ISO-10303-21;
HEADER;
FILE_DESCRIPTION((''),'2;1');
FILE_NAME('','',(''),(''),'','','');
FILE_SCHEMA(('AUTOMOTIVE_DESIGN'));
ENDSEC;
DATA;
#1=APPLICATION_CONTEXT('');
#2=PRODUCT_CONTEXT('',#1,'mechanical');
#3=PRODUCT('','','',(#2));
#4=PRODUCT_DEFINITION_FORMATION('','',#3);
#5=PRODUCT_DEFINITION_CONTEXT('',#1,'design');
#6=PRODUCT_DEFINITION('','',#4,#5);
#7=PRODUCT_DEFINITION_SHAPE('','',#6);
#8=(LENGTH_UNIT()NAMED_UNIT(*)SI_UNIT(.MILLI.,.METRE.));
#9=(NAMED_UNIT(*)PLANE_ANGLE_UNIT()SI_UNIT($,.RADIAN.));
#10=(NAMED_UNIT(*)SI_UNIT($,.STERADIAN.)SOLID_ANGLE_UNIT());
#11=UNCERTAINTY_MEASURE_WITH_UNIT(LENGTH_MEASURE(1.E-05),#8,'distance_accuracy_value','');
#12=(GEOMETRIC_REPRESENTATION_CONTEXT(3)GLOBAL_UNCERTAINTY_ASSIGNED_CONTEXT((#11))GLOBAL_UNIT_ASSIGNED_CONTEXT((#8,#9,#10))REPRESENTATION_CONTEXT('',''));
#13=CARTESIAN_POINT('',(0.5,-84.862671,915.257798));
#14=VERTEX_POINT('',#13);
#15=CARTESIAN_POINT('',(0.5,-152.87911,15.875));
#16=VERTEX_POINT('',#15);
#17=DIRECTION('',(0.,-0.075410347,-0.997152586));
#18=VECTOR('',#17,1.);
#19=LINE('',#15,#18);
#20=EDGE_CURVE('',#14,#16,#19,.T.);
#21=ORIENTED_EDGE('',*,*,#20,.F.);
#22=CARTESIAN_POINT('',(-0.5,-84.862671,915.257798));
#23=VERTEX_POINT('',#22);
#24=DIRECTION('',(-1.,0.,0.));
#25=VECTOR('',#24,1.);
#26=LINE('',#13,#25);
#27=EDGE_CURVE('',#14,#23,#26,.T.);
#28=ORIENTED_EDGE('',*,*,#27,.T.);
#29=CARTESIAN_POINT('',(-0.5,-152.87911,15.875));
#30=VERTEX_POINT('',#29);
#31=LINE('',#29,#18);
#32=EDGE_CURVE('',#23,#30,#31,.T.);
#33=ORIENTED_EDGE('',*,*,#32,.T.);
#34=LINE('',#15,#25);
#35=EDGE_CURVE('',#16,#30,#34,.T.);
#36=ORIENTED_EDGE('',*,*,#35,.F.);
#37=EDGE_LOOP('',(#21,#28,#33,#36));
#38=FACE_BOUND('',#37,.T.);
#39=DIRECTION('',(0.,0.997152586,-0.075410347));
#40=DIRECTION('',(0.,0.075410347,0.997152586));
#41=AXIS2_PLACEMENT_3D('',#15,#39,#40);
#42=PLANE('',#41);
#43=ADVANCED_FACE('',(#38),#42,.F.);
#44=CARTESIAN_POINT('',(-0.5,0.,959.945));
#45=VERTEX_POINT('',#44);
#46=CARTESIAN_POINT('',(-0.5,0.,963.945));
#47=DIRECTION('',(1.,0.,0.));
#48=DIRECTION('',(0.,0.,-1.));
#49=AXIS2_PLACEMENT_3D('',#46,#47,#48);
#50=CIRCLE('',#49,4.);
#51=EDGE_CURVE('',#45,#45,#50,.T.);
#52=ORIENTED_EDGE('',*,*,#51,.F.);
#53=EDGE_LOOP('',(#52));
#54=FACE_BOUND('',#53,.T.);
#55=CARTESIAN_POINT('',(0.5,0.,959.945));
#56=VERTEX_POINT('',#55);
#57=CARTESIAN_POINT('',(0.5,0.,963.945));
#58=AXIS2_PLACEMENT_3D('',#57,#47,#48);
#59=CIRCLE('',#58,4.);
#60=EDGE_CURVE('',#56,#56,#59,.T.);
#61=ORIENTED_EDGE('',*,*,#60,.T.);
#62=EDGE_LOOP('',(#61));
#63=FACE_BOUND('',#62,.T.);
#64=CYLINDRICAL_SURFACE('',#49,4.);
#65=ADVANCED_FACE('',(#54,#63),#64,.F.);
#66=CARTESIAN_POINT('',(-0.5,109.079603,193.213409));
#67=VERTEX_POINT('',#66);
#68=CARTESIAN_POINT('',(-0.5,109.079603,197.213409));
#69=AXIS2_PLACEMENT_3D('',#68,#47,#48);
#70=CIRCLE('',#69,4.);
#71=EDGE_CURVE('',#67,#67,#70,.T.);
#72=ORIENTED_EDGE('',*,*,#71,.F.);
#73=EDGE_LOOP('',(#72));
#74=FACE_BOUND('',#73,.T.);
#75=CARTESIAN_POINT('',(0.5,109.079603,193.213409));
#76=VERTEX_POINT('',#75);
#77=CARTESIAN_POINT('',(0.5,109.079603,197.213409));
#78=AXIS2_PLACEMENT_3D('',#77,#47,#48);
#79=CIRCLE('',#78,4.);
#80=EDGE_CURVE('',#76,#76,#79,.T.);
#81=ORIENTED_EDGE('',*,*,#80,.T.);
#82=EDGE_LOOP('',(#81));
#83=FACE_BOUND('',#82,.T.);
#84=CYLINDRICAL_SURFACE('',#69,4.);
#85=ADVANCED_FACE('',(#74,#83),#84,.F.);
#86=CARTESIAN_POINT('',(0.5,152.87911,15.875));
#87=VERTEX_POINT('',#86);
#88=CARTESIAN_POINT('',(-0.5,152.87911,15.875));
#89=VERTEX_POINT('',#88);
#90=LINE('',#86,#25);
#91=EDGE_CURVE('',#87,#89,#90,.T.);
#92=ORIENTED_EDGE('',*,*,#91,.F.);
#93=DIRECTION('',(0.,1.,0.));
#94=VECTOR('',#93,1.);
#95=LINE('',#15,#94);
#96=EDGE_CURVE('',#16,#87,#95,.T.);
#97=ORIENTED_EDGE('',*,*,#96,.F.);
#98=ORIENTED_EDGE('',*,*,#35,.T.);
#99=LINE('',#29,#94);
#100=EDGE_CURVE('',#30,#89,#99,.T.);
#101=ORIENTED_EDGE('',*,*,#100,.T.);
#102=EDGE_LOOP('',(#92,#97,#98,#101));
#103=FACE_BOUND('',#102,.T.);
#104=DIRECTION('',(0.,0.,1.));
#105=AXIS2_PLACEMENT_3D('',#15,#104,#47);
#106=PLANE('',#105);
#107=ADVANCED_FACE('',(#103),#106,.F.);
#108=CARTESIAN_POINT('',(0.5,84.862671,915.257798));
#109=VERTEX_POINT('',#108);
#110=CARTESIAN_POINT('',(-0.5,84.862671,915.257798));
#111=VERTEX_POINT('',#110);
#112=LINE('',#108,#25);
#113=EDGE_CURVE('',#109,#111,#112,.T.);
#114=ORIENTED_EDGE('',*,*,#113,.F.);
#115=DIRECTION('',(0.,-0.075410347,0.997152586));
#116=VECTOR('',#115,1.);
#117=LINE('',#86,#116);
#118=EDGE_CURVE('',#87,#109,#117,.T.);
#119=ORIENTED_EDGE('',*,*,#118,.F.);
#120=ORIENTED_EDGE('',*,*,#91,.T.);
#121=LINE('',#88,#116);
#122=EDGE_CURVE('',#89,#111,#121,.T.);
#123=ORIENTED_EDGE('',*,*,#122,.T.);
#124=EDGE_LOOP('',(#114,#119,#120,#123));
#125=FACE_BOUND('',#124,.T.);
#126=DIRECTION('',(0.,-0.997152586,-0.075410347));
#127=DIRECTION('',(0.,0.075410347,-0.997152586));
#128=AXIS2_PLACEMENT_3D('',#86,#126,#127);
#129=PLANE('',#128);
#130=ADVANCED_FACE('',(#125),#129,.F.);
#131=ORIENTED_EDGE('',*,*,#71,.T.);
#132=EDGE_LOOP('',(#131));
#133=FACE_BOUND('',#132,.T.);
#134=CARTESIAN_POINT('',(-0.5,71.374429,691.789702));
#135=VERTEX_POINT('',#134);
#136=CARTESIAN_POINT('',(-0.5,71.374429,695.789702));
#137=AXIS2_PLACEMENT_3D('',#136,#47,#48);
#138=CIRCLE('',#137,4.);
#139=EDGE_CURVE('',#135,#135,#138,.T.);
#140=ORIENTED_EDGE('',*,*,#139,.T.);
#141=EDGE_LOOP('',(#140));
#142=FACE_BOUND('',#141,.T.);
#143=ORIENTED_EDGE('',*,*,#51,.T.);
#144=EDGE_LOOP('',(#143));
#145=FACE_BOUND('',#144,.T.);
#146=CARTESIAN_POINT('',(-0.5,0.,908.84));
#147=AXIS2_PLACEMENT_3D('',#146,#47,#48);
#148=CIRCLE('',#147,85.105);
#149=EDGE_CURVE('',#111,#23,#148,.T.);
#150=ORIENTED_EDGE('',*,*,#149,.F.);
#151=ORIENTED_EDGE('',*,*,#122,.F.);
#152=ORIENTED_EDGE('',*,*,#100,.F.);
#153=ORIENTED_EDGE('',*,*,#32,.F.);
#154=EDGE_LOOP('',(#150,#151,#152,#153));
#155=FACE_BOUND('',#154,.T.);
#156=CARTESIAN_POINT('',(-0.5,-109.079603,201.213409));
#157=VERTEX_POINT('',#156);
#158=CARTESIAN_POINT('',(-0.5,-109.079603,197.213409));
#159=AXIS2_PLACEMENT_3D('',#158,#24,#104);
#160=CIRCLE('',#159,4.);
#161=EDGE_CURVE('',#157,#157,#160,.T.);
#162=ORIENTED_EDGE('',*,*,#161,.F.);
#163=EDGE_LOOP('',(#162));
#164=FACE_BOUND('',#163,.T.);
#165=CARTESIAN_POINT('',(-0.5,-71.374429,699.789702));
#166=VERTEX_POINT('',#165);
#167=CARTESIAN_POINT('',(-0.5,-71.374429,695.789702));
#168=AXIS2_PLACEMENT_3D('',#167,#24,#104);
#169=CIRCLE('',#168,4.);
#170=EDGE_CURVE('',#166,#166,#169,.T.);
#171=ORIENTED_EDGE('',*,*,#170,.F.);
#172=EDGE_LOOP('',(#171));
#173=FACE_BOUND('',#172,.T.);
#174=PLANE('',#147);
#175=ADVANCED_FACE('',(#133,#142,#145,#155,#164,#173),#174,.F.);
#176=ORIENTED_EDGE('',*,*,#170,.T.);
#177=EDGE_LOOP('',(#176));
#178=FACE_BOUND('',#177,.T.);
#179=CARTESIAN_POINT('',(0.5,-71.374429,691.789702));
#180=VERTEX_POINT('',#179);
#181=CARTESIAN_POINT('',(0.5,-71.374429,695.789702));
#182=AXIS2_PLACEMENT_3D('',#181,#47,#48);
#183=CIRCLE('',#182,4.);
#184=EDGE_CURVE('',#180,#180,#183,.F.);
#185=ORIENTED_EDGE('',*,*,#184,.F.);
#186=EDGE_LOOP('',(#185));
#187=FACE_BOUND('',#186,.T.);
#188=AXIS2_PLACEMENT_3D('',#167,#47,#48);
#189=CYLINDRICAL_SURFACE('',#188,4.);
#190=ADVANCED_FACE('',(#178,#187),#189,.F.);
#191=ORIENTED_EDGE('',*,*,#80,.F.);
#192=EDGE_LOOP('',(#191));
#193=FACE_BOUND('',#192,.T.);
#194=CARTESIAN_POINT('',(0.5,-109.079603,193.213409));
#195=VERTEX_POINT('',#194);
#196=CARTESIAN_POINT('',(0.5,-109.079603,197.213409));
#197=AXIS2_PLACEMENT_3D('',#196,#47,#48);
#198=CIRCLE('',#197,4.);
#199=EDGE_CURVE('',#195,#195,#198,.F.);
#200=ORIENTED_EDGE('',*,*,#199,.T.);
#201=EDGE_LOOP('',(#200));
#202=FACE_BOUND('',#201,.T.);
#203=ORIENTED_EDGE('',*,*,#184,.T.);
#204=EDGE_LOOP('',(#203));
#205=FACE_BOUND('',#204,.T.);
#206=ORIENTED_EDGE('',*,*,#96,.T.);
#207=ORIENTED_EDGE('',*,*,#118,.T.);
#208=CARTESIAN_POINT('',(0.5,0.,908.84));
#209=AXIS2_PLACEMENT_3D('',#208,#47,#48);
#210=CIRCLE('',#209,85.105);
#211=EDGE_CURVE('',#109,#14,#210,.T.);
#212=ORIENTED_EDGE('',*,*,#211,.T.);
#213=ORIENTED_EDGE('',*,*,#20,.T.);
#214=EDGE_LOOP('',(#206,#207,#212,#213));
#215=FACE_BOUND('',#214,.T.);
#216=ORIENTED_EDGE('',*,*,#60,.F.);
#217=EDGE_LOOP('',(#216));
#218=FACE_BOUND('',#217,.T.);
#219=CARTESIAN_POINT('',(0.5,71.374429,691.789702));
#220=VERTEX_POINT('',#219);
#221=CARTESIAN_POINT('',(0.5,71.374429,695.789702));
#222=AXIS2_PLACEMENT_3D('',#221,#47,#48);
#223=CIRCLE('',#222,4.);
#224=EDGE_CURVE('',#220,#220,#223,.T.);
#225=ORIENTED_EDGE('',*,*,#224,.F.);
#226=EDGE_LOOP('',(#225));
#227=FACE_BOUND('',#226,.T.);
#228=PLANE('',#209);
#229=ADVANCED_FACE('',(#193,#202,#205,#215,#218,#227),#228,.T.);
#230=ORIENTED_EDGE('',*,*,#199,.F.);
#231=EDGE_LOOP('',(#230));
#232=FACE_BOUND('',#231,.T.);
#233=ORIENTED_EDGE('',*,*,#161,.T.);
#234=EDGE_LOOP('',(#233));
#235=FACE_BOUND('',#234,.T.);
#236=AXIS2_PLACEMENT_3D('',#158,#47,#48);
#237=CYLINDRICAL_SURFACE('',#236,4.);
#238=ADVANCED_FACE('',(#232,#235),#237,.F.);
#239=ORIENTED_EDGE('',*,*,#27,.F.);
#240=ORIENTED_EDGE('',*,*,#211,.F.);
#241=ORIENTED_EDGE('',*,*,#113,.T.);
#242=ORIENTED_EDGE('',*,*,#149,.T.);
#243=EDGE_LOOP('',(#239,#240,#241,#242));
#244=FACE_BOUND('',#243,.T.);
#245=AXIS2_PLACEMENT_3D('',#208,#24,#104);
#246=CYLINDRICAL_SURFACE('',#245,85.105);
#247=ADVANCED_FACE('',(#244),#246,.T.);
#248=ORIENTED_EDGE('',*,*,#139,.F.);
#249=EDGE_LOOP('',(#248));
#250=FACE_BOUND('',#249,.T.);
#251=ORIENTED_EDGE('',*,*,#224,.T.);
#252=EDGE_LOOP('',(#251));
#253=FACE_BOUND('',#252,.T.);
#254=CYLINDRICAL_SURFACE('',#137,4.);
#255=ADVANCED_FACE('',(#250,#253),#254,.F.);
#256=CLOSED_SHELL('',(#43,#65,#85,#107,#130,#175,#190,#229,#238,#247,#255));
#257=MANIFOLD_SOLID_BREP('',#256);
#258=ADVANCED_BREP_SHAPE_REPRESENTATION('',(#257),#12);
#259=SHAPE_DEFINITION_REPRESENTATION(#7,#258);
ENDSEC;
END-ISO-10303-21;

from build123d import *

# Parameters (mm, degrees)
BOSS_EXTRUDE1_DEPTH     = 0.5
CUT_EXTRUDE1_DEPTH      = 1006.633971904
CUT_EXTRUDE1_DEPTH_BACK = 1006.633971904
SKETCH2_R               = 4


with BuildPart() as part:
    # Sketch1 → Boss-Extrude1 (new, symmetric)
    with BuildSketch(Plane.YZ):
        with BuildLine():
            Line((-152.879110482, 15.875), (-84.862670824, 915.257797566))
            ThreePointArc((-84.862670824, 915.257797566), (0, 993.945), (84.862670824, 915.257797566))
            Line((84.862670824, 915.257797566), (152.879110482, 15.875))
            Line((152.879110482, 15.875), (-152.879110482, 15.875))
        make_face()
    extrude(amount=BOSS_EXTRUDE1_DEPTH, both=True)

    # Sketch2 → Cut-Extrude1 (cut, two sides: drawn at the far end of the back side and taken through both)
    with BuildSketch(Plane.YZ.offset(0.5).offset(-CUT_EXTRUDE1_DEPTH_BACK)):
        with Locations(Location((71.374429386, 695.789702433, 0), (0, 0, 270))):
            Circle(SKETCH2_R)
        with Locations(Location((109.079602796, 197.213409477, 0), (0, 0, 270))):
            Circle(SKETCH2_R)
        with Locations(Location((0, 963.945, 0), (0, 0, 270))):
            Circle(SKETCH2_R)
        with Locations(Location((-71.374429386, 695.789702433, 0), (0, 0, 270))):
            Circle(SKETCH2_R)
        with Locations(Location((-109.079602796, 197.213409477, 0), (0, 0, 270))):
            Circle(SKETCH2_R)
    extrude(amount=CUT_EXTRUDE1_DEPTH + CUT_EXTRUDE1_DEPTH_BACK, mode=Mode.SUBTRACT)


solid = part.part
